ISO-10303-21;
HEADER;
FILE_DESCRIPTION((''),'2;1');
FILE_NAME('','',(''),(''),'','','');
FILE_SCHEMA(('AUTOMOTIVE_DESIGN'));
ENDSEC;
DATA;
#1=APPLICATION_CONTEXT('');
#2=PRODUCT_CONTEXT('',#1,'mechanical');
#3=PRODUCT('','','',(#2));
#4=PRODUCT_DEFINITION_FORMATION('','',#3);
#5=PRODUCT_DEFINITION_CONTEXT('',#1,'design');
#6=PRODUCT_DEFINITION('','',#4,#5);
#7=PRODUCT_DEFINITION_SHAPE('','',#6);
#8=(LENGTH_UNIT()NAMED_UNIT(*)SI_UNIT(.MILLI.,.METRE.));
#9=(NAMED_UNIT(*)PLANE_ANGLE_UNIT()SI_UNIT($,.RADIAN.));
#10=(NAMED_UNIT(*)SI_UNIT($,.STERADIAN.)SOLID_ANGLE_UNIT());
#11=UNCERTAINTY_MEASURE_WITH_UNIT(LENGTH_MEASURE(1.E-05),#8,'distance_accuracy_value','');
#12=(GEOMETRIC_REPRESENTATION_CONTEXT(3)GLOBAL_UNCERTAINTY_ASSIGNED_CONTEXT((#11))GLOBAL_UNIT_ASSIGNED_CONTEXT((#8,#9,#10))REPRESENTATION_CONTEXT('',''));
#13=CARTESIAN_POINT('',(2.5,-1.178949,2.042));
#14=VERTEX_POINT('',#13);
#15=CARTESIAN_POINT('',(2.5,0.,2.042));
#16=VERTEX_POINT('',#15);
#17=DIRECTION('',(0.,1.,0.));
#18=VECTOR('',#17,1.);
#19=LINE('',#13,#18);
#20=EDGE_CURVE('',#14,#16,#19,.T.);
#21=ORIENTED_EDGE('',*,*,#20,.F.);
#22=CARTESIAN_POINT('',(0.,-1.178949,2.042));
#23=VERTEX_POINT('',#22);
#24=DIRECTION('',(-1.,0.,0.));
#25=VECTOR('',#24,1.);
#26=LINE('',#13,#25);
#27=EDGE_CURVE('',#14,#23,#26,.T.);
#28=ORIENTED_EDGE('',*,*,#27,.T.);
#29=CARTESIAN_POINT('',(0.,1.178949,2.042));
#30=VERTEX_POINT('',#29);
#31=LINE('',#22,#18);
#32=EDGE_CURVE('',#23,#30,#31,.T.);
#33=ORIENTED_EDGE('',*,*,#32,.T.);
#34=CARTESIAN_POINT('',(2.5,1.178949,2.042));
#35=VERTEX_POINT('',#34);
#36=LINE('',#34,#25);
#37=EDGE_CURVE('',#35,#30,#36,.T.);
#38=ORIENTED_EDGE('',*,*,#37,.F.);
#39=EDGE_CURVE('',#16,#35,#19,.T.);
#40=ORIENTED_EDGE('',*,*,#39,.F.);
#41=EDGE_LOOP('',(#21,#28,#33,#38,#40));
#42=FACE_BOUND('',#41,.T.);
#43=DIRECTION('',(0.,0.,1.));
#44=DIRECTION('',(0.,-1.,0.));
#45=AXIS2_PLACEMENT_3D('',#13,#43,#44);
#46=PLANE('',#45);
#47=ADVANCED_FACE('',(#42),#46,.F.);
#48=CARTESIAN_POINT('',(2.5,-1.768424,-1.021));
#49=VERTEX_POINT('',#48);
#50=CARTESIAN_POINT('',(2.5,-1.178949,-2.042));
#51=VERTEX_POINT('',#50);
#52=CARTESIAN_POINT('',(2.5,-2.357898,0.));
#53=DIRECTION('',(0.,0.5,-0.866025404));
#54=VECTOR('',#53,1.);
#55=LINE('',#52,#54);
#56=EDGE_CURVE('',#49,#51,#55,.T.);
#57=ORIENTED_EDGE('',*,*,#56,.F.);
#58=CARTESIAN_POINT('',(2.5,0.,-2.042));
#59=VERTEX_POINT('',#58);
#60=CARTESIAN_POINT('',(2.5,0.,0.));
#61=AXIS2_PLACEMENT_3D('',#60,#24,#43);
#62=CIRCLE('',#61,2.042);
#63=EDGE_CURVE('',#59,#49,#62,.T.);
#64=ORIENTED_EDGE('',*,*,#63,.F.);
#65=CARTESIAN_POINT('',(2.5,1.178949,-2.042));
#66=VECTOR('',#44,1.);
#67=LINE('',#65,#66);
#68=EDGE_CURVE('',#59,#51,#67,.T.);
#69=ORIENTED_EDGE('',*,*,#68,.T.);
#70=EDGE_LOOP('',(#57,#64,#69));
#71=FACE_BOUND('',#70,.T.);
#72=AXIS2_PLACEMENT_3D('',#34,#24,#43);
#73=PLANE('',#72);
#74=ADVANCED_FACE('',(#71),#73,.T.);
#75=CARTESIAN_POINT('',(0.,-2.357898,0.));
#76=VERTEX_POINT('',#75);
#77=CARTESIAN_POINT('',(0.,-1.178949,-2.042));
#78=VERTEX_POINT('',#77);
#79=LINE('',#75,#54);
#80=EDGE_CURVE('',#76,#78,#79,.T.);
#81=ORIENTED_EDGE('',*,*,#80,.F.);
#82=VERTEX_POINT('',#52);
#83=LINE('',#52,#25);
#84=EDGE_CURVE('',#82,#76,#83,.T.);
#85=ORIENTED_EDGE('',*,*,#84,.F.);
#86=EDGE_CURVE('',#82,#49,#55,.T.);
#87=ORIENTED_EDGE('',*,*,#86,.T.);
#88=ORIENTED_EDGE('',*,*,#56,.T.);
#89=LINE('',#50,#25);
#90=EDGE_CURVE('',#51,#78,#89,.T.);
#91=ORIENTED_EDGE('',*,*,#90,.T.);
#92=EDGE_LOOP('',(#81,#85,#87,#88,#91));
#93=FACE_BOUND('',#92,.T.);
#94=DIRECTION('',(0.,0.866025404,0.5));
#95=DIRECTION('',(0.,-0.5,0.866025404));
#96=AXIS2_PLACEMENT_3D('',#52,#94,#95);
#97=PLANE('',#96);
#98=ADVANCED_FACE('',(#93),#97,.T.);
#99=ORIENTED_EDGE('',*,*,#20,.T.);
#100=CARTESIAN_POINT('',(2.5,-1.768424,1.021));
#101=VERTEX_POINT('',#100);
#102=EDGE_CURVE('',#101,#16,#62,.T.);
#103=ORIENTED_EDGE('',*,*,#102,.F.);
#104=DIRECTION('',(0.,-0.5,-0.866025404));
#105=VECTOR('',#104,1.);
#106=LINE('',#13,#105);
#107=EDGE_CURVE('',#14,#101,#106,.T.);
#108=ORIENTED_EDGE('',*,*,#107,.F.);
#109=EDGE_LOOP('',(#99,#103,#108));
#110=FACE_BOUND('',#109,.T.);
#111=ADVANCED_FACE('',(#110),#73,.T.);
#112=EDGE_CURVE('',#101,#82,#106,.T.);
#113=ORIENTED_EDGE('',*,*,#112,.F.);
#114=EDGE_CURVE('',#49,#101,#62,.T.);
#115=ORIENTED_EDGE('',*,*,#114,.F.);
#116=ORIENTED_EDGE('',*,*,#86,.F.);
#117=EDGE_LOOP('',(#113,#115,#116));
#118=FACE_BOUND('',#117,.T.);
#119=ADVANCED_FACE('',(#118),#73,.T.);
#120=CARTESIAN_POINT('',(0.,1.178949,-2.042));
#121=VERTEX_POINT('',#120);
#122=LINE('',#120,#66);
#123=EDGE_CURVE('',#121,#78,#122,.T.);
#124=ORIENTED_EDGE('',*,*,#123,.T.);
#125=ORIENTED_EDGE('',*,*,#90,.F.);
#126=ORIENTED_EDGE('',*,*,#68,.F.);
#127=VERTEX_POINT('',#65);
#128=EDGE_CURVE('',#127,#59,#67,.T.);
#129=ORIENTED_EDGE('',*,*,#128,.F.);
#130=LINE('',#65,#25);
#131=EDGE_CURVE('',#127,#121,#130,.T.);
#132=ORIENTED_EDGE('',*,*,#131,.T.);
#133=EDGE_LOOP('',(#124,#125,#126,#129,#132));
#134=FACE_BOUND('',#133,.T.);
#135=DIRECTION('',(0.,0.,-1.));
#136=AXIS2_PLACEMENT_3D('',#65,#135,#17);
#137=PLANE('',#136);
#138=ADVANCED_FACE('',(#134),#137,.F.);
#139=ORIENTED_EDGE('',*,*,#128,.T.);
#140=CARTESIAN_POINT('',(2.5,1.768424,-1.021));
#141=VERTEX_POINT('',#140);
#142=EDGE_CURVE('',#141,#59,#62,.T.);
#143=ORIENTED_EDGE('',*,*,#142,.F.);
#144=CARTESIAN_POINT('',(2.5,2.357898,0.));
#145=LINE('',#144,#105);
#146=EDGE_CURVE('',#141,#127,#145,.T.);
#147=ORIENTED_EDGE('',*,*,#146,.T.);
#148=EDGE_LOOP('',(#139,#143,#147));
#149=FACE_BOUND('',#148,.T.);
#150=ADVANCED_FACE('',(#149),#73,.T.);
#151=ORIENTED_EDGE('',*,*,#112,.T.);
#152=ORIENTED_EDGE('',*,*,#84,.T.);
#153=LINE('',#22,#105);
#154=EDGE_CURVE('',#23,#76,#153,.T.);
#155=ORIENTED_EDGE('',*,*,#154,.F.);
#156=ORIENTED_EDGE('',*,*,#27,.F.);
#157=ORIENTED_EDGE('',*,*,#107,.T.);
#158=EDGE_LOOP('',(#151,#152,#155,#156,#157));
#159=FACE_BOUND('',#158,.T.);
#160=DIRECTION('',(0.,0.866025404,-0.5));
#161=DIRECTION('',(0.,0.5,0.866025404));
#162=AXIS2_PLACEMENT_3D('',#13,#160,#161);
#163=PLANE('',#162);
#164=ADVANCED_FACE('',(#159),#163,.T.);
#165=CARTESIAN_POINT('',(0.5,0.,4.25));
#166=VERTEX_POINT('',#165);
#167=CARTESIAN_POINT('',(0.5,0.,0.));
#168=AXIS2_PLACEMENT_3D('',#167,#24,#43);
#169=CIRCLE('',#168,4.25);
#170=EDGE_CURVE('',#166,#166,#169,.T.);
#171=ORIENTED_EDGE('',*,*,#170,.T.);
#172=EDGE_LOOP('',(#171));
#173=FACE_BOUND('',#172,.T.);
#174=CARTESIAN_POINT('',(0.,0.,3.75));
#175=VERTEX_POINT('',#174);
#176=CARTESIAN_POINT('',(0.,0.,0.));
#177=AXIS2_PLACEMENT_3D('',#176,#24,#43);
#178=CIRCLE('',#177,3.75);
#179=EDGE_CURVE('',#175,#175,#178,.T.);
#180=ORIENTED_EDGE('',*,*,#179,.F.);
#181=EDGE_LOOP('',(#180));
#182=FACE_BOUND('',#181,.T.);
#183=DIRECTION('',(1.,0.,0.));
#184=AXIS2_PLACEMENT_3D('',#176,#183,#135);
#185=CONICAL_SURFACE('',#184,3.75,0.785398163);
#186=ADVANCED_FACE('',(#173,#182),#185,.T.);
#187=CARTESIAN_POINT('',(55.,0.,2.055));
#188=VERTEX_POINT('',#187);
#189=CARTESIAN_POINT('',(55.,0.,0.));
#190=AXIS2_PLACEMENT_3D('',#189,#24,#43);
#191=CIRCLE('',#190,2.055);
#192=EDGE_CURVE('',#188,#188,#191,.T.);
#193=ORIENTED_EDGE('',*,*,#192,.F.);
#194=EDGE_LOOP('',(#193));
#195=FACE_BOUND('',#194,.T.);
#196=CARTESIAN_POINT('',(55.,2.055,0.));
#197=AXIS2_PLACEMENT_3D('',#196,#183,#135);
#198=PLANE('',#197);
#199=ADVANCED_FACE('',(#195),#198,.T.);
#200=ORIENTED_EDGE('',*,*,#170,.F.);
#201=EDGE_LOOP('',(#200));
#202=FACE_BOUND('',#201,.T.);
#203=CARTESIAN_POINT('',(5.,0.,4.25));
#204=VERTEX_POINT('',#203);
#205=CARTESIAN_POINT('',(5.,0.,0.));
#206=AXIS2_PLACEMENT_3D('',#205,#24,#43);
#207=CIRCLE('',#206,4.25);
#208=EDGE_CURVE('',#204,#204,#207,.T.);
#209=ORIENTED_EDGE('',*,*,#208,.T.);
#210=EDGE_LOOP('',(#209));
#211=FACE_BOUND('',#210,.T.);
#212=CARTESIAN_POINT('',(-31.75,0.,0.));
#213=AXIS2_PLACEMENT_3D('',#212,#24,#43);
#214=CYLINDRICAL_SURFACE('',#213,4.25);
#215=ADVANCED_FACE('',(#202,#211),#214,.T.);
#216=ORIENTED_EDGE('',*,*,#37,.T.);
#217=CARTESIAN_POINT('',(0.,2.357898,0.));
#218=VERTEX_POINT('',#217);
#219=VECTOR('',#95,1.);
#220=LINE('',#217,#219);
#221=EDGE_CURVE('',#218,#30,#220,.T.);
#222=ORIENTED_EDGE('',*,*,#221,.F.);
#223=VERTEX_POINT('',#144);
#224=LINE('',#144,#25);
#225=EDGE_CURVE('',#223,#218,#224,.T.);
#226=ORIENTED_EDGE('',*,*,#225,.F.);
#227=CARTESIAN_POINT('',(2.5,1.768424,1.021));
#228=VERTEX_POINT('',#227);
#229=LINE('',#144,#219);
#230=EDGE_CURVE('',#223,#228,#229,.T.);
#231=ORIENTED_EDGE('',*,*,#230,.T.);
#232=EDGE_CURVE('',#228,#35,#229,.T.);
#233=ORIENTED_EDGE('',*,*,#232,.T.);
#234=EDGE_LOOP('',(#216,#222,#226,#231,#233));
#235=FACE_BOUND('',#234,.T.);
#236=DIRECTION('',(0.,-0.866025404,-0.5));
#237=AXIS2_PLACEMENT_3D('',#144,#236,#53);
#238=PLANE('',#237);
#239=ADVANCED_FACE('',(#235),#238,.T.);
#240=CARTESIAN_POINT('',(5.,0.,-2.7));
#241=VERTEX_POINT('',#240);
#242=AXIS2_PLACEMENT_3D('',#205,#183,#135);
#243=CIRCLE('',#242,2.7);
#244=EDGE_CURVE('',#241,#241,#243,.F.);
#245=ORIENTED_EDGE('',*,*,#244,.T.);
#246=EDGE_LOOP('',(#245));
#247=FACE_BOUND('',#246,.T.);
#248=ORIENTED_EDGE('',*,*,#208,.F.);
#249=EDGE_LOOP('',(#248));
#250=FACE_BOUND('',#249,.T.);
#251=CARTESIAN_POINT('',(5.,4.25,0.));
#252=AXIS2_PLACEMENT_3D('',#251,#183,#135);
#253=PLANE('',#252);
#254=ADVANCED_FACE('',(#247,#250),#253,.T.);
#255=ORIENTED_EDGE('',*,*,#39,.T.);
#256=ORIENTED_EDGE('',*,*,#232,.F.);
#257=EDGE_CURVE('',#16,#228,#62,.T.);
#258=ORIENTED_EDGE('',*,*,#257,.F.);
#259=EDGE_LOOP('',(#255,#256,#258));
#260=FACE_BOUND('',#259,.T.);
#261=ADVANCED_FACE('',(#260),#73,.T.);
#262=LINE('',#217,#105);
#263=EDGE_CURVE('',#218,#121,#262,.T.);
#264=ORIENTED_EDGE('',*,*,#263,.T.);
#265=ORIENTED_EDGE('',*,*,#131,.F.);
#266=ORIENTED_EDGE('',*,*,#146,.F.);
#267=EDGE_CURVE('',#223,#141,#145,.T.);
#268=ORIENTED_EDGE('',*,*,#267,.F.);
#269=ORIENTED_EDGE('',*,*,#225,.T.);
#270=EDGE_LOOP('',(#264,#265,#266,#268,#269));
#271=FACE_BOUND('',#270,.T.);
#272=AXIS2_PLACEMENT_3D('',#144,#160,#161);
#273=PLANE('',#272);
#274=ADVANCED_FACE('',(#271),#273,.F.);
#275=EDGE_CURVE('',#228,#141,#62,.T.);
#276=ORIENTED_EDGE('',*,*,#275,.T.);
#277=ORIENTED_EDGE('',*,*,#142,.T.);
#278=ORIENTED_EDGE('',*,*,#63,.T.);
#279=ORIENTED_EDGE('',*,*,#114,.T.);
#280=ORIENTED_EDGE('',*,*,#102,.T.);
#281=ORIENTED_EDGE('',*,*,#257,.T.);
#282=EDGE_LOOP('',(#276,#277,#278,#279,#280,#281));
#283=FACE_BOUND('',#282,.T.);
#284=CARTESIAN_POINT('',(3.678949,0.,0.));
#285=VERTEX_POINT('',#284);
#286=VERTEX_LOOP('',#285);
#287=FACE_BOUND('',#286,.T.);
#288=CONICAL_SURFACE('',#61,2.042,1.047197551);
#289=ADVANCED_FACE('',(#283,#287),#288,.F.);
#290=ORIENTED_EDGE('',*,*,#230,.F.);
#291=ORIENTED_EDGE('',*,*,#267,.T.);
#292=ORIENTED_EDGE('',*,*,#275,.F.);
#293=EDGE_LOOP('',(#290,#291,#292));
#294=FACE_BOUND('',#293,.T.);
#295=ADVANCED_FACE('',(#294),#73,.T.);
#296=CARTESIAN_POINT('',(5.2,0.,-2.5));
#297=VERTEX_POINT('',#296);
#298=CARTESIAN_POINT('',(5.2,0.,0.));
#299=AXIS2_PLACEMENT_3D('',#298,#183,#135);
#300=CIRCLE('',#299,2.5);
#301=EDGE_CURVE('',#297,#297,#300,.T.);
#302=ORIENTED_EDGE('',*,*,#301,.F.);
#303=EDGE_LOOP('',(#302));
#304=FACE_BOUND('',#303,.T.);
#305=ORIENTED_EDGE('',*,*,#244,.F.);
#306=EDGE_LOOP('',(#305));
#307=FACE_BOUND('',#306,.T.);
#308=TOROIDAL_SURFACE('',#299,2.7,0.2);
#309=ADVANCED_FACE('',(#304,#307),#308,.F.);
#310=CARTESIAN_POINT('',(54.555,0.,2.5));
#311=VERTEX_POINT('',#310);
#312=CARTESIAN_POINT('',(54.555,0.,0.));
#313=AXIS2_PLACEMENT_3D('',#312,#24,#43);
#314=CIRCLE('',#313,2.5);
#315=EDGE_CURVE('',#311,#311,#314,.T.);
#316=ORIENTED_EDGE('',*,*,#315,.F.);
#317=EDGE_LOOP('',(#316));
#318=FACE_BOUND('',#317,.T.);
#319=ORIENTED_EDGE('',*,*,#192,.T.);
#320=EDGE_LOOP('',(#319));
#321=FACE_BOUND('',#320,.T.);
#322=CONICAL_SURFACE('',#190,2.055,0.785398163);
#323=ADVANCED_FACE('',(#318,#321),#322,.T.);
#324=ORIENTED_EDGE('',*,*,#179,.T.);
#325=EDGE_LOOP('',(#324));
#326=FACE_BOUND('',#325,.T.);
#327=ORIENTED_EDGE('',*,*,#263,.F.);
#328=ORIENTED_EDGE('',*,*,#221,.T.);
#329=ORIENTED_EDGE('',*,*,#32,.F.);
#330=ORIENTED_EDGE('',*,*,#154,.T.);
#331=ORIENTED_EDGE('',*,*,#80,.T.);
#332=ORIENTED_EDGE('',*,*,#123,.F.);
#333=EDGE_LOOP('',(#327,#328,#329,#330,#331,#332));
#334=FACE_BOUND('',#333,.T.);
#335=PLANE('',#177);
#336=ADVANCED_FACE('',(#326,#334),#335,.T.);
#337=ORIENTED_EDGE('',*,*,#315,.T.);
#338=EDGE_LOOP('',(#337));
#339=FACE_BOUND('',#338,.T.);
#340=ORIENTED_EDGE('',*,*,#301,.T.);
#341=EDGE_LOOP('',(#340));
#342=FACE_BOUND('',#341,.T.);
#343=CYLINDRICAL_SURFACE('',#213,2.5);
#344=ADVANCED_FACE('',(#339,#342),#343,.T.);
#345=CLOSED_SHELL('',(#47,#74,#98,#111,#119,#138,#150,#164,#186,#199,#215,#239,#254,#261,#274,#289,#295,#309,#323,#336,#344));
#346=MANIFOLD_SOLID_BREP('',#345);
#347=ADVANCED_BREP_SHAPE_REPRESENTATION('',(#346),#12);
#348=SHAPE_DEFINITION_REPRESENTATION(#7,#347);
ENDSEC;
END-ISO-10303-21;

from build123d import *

# Parameters (mm, degrees)
FILLET1_R   = 0.2
HEX_2_DEPTH = 2.5


with BuildPart() as part:
    # BodySke → Base-Revolve (revolve)
    with BuildSketch(Plane.XY, mode=Mode.PRIVATE) as base_revolve_sk:
        Polygon((0, 0), (0, 3.75), (0.5, 4.25), (5, 4.25), (5, 2.5), (54.555, 2.5), (55, 2.055), (55, 0), align=None)
    revolve(base_revolve_sk.sketch.rotate(Axis((-31.75, 0, 0), (1, 0, 0)), 90), axis=Axis((-31.75, 0, 0), (1, 0, 0)))

    # Fillet1
    fillet1_edges = [part.edges().sort_by_distance(p)[0] for p in [
        (5, 0, -2.5),
    ]]
    fillet(fillet1_edges, radius=FILLET1_R)

    # Sketch2 → Hex-PreBroach (revolve, cut)
    with BuildSketch(Plane.XY, mode=Mode.PRIVATE) as hex_prebroach_sk:
        Polygon((0, 2.042), (2.5, 2.042), (3.67894925, 0), (0, 0), align=None)
    revolve(hex_prebroach_sk.sketch.rotate(Axis((0, 0, 0), (1, 0, 0)), 90), axis=Axis((0, 0, 0), (1, 0, 0)), mode=Mode.SUBTRACT)

    # Sketch3 → Hex 2 (cut)
    with BuildSketch(Plane(origin=(0, 0, 0), x_dir=(0, 0.500000000000001, 0.866025403784438), z_dir=(-1, 0, 0))):
        Polygon((1.17894925, 2.042), (-1.17894925, 2.042), (-2.357898499, 0), (-1.17894925, -2.042), (1.17894925, -2.042), (2.357898499, 0), align=None)
    extrude(amount=-HEX_2_DEPTH, mode=Mode.SUBTRACT)


solid = part.part
